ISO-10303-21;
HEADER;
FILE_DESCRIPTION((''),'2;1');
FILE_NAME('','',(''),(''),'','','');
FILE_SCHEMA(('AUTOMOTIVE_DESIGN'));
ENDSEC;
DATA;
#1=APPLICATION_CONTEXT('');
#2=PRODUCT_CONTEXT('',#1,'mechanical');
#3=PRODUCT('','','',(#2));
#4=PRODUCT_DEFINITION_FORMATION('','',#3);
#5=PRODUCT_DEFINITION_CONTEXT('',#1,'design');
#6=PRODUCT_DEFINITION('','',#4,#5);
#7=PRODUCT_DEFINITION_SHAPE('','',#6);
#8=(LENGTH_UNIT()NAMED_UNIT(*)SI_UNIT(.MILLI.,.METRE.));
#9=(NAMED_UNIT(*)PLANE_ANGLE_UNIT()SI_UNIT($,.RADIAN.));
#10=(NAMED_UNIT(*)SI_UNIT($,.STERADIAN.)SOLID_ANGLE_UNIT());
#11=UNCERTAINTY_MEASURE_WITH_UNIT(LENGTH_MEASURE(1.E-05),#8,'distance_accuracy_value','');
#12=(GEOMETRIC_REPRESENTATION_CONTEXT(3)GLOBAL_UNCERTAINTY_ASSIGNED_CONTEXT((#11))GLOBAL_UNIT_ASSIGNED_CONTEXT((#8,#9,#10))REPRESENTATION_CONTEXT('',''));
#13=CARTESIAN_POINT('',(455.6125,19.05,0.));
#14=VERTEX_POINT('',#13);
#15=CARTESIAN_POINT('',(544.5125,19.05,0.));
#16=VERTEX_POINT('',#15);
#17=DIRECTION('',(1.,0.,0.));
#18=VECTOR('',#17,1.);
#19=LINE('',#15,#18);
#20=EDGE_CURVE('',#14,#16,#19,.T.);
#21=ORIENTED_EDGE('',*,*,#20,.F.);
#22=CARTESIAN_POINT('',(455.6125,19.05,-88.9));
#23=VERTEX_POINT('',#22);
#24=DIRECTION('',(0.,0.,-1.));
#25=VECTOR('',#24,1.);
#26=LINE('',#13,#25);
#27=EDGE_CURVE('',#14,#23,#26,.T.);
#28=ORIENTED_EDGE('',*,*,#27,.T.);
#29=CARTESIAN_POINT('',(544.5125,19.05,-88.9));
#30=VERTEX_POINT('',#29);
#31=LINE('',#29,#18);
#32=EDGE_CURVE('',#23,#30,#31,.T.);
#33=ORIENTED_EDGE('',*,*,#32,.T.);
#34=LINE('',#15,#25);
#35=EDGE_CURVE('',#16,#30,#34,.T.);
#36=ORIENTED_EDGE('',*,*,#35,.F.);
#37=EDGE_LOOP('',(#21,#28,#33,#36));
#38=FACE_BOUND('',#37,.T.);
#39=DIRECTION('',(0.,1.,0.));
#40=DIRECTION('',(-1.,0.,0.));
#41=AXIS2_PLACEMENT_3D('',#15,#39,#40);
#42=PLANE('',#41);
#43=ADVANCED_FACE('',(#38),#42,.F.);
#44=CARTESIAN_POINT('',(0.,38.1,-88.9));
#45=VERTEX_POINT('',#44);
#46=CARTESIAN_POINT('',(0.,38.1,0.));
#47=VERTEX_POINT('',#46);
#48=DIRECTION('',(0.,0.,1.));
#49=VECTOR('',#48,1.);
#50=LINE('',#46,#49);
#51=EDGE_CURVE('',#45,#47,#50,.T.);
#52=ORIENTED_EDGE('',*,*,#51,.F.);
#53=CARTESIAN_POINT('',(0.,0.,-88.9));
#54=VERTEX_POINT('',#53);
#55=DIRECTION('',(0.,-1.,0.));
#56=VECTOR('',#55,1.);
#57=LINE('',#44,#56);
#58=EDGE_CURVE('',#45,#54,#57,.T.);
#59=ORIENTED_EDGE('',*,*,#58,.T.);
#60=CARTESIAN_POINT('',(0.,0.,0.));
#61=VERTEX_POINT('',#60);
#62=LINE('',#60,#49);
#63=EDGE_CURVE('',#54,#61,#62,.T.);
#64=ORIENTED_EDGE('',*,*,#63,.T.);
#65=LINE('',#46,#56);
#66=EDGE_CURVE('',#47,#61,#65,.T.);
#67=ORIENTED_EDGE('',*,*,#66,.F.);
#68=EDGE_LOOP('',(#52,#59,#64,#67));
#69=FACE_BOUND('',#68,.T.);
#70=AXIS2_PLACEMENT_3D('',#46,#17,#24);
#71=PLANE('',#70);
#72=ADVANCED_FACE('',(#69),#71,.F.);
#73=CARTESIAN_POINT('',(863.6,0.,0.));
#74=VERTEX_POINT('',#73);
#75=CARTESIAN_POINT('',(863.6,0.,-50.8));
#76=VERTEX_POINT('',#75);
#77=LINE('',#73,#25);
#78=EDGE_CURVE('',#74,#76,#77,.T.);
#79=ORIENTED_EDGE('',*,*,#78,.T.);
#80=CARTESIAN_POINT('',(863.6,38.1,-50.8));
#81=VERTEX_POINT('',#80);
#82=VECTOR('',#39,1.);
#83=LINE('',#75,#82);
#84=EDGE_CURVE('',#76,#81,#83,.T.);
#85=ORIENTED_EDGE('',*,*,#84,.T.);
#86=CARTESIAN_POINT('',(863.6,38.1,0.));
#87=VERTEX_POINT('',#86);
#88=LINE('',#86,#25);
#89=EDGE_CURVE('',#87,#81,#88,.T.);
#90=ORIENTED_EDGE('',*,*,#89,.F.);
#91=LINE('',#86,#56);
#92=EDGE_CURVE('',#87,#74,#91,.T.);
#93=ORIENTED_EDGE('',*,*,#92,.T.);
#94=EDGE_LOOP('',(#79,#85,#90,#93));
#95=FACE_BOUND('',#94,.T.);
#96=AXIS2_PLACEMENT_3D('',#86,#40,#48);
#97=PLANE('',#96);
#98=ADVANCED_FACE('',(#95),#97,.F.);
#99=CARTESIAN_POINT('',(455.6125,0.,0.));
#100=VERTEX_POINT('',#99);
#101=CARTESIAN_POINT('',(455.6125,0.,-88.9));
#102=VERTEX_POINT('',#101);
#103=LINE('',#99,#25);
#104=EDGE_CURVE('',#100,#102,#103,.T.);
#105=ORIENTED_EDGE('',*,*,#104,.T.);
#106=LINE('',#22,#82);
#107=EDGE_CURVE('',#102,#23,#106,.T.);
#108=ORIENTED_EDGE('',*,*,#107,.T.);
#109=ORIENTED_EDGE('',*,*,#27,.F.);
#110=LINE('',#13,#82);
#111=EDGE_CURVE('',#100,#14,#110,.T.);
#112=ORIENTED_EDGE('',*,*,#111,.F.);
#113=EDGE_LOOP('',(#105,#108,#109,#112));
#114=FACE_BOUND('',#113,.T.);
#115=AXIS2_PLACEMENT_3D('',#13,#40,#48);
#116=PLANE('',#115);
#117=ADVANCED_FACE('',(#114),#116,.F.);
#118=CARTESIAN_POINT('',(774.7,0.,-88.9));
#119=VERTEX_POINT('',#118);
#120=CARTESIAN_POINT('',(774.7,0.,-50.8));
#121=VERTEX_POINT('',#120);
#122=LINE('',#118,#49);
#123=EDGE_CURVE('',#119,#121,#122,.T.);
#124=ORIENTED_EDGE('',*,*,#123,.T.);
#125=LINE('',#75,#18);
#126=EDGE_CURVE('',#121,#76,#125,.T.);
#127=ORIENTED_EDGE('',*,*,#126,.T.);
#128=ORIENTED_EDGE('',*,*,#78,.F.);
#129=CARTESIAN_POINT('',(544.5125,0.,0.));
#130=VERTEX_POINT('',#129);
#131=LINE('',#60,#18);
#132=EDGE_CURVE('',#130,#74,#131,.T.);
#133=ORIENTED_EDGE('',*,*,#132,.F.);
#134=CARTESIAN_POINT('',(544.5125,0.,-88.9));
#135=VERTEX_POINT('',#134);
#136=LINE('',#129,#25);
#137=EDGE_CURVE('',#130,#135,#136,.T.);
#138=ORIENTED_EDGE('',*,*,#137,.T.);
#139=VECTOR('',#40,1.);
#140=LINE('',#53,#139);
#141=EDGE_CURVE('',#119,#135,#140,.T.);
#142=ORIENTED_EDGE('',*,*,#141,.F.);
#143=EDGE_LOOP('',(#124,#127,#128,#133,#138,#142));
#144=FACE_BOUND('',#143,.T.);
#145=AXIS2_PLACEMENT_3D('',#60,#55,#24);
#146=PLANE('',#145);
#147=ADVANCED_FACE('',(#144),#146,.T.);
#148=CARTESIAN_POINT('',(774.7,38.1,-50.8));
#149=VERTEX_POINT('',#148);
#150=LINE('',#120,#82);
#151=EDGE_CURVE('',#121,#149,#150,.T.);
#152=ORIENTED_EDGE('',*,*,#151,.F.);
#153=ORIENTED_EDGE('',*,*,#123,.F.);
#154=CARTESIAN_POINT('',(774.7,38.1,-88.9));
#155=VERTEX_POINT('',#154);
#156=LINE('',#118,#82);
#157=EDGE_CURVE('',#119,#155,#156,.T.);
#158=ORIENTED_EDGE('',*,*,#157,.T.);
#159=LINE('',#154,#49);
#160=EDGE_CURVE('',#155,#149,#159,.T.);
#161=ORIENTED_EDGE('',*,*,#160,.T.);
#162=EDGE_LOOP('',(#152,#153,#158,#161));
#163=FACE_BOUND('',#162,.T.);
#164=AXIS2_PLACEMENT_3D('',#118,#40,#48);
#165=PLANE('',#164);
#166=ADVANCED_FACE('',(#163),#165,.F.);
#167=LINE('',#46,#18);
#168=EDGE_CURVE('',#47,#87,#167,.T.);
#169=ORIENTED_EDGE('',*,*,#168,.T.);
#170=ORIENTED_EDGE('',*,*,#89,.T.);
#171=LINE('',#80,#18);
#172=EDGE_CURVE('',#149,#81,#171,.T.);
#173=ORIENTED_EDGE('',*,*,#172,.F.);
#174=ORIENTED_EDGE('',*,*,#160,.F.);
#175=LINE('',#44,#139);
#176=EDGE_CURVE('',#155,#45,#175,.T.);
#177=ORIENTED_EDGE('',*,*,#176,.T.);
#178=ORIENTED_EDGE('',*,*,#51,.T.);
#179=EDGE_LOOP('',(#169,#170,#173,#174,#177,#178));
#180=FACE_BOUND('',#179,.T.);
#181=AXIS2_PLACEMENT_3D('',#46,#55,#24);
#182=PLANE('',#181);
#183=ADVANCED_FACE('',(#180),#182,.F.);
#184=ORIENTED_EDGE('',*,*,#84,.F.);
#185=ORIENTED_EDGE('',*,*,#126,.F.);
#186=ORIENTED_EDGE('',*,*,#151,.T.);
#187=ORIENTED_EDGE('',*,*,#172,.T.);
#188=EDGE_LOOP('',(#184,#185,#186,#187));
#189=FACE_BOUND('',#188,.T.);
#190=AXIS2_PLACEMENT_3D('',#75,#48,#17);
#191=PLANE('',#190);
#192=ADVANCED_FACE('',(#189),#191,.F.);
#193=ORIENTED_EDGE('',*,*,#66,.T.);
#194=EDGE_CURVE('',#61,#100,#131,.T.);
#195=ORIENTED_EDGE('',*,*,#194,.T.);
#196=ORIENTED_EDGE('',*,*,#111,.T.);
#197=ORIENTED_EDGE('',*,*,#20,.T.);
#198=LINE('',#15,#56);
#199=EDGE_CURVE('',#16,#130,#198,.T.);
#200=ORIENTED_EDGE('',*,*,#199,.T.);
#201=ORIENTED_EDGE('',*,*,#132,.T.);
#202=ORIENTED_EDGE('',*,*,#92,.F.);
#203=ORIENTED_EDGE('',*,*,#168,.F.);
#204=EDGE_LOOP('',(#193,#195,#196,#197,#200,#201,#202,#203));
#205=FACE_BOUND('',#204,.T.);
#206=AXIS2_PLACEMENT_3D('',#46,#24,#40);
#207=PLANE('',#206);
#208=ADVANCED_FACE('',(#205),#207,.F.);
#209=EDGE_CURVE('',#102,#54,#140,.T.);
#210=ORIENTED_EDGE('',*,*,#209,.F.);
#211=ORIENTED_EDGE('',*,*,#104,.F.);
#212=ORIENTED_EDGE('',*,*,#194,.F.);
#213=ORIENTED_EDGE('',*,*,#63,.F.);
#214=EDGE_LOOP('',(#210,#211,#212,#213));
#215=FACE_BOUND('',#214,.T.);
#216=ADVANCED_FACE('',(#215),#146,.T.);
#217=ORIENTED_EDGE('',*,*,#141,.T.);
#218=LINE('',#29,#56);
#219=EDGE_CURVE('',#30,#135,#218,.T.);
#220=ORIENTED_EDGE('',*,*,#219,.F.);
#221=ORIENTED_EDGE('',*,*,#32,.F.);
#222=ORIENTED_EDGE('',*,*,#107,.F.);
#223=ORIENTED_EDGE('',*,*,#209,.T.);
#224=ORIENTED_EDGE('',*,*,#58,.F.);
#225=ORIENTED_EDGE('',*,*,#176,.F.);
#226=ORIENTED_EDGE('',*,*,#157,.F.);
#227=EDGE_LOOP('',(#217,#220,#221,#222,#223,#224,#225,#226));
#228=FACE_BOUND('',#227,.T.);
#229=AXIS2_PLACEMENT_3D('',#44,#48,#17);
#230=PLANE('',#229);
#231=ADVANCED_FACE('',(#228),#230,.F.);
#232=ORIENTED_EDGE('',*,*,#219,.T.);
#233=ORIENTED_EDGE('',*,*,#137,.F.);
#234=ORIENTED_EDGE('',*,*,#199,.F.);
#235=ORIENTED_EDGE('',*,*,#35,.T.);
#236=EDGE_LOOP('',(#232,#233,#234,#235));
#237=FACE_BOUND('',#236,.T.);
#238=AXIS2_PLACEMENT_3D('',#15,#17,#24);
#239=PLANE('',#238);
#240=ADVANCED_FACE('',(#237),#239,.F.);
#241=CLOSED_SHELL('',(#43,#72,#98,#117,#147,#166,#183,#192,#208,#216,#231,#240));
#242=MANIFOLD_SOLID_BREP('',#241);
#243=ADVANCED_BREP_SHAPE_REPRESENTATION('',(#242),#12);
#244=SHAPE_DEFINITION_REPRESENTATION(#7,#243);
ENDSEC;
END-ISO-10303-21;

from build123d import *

# Parameters (mm, degrees)
SKETCH1_W           = 863.6
SKETCH1_H           = 88.9
BOSS_EXTRUDE1_DEPTH = 38.1
SKETCH3_W           = 88.9
SKETCH3_H           = 38.1
CUT_EXTRUDE2_DEPTH  = 39.1
SKETCH4_W           = 88.9
SKETCH4_H           = 19.05
CUT_EXTRUDE3_DEPTH  = 89.9


with BuildPart() as part:
    # Sketch1 → Boss-Extrude1 (new body)
    with BuildSketch(Plane(origin=(0, 0, 0), x_dir=(1, 0, 0), z_dir=(0, 1, 0))):
        with Locations((431.8, 44.45)):
            Rectangle(SKETCH1_W, SKETCH1_H)
    extrude(amount=BOSS_EXTRUDE1_DEPTH)

    # Sketch3 → Cut-Extrude2 (cut, through all)
    with BuildSketch(Plane(origin=(0, 38.1, 0), x_dir=(1, 0, 0), z_dir=(0, 1, 0))):
        with Locations((819.15, 69.85)):
            Rectangle(SKETCH3_W, SKETCH3_H)
    extrude(amount=-CUT_EXTRUDE2_DEPTH, mode=Mode.SUBTRACT)

    # Sketch4 → Cut-Extrude3 (cut, through all)
    with BuildSketch(Plane(origin=(0, 0, -88.9), x_dir=(-1, 0, 0), z_dir=(0, 0, -1))):
        with Locations((-500.0625, 9.525)):
            Rectangle(SKETCH4_W, SKETCH4_H)
    extrude(amount=-CUT_EXTRUDE3_DEPTH, mode=Mode.SUBTRACT)


solid = part.part
